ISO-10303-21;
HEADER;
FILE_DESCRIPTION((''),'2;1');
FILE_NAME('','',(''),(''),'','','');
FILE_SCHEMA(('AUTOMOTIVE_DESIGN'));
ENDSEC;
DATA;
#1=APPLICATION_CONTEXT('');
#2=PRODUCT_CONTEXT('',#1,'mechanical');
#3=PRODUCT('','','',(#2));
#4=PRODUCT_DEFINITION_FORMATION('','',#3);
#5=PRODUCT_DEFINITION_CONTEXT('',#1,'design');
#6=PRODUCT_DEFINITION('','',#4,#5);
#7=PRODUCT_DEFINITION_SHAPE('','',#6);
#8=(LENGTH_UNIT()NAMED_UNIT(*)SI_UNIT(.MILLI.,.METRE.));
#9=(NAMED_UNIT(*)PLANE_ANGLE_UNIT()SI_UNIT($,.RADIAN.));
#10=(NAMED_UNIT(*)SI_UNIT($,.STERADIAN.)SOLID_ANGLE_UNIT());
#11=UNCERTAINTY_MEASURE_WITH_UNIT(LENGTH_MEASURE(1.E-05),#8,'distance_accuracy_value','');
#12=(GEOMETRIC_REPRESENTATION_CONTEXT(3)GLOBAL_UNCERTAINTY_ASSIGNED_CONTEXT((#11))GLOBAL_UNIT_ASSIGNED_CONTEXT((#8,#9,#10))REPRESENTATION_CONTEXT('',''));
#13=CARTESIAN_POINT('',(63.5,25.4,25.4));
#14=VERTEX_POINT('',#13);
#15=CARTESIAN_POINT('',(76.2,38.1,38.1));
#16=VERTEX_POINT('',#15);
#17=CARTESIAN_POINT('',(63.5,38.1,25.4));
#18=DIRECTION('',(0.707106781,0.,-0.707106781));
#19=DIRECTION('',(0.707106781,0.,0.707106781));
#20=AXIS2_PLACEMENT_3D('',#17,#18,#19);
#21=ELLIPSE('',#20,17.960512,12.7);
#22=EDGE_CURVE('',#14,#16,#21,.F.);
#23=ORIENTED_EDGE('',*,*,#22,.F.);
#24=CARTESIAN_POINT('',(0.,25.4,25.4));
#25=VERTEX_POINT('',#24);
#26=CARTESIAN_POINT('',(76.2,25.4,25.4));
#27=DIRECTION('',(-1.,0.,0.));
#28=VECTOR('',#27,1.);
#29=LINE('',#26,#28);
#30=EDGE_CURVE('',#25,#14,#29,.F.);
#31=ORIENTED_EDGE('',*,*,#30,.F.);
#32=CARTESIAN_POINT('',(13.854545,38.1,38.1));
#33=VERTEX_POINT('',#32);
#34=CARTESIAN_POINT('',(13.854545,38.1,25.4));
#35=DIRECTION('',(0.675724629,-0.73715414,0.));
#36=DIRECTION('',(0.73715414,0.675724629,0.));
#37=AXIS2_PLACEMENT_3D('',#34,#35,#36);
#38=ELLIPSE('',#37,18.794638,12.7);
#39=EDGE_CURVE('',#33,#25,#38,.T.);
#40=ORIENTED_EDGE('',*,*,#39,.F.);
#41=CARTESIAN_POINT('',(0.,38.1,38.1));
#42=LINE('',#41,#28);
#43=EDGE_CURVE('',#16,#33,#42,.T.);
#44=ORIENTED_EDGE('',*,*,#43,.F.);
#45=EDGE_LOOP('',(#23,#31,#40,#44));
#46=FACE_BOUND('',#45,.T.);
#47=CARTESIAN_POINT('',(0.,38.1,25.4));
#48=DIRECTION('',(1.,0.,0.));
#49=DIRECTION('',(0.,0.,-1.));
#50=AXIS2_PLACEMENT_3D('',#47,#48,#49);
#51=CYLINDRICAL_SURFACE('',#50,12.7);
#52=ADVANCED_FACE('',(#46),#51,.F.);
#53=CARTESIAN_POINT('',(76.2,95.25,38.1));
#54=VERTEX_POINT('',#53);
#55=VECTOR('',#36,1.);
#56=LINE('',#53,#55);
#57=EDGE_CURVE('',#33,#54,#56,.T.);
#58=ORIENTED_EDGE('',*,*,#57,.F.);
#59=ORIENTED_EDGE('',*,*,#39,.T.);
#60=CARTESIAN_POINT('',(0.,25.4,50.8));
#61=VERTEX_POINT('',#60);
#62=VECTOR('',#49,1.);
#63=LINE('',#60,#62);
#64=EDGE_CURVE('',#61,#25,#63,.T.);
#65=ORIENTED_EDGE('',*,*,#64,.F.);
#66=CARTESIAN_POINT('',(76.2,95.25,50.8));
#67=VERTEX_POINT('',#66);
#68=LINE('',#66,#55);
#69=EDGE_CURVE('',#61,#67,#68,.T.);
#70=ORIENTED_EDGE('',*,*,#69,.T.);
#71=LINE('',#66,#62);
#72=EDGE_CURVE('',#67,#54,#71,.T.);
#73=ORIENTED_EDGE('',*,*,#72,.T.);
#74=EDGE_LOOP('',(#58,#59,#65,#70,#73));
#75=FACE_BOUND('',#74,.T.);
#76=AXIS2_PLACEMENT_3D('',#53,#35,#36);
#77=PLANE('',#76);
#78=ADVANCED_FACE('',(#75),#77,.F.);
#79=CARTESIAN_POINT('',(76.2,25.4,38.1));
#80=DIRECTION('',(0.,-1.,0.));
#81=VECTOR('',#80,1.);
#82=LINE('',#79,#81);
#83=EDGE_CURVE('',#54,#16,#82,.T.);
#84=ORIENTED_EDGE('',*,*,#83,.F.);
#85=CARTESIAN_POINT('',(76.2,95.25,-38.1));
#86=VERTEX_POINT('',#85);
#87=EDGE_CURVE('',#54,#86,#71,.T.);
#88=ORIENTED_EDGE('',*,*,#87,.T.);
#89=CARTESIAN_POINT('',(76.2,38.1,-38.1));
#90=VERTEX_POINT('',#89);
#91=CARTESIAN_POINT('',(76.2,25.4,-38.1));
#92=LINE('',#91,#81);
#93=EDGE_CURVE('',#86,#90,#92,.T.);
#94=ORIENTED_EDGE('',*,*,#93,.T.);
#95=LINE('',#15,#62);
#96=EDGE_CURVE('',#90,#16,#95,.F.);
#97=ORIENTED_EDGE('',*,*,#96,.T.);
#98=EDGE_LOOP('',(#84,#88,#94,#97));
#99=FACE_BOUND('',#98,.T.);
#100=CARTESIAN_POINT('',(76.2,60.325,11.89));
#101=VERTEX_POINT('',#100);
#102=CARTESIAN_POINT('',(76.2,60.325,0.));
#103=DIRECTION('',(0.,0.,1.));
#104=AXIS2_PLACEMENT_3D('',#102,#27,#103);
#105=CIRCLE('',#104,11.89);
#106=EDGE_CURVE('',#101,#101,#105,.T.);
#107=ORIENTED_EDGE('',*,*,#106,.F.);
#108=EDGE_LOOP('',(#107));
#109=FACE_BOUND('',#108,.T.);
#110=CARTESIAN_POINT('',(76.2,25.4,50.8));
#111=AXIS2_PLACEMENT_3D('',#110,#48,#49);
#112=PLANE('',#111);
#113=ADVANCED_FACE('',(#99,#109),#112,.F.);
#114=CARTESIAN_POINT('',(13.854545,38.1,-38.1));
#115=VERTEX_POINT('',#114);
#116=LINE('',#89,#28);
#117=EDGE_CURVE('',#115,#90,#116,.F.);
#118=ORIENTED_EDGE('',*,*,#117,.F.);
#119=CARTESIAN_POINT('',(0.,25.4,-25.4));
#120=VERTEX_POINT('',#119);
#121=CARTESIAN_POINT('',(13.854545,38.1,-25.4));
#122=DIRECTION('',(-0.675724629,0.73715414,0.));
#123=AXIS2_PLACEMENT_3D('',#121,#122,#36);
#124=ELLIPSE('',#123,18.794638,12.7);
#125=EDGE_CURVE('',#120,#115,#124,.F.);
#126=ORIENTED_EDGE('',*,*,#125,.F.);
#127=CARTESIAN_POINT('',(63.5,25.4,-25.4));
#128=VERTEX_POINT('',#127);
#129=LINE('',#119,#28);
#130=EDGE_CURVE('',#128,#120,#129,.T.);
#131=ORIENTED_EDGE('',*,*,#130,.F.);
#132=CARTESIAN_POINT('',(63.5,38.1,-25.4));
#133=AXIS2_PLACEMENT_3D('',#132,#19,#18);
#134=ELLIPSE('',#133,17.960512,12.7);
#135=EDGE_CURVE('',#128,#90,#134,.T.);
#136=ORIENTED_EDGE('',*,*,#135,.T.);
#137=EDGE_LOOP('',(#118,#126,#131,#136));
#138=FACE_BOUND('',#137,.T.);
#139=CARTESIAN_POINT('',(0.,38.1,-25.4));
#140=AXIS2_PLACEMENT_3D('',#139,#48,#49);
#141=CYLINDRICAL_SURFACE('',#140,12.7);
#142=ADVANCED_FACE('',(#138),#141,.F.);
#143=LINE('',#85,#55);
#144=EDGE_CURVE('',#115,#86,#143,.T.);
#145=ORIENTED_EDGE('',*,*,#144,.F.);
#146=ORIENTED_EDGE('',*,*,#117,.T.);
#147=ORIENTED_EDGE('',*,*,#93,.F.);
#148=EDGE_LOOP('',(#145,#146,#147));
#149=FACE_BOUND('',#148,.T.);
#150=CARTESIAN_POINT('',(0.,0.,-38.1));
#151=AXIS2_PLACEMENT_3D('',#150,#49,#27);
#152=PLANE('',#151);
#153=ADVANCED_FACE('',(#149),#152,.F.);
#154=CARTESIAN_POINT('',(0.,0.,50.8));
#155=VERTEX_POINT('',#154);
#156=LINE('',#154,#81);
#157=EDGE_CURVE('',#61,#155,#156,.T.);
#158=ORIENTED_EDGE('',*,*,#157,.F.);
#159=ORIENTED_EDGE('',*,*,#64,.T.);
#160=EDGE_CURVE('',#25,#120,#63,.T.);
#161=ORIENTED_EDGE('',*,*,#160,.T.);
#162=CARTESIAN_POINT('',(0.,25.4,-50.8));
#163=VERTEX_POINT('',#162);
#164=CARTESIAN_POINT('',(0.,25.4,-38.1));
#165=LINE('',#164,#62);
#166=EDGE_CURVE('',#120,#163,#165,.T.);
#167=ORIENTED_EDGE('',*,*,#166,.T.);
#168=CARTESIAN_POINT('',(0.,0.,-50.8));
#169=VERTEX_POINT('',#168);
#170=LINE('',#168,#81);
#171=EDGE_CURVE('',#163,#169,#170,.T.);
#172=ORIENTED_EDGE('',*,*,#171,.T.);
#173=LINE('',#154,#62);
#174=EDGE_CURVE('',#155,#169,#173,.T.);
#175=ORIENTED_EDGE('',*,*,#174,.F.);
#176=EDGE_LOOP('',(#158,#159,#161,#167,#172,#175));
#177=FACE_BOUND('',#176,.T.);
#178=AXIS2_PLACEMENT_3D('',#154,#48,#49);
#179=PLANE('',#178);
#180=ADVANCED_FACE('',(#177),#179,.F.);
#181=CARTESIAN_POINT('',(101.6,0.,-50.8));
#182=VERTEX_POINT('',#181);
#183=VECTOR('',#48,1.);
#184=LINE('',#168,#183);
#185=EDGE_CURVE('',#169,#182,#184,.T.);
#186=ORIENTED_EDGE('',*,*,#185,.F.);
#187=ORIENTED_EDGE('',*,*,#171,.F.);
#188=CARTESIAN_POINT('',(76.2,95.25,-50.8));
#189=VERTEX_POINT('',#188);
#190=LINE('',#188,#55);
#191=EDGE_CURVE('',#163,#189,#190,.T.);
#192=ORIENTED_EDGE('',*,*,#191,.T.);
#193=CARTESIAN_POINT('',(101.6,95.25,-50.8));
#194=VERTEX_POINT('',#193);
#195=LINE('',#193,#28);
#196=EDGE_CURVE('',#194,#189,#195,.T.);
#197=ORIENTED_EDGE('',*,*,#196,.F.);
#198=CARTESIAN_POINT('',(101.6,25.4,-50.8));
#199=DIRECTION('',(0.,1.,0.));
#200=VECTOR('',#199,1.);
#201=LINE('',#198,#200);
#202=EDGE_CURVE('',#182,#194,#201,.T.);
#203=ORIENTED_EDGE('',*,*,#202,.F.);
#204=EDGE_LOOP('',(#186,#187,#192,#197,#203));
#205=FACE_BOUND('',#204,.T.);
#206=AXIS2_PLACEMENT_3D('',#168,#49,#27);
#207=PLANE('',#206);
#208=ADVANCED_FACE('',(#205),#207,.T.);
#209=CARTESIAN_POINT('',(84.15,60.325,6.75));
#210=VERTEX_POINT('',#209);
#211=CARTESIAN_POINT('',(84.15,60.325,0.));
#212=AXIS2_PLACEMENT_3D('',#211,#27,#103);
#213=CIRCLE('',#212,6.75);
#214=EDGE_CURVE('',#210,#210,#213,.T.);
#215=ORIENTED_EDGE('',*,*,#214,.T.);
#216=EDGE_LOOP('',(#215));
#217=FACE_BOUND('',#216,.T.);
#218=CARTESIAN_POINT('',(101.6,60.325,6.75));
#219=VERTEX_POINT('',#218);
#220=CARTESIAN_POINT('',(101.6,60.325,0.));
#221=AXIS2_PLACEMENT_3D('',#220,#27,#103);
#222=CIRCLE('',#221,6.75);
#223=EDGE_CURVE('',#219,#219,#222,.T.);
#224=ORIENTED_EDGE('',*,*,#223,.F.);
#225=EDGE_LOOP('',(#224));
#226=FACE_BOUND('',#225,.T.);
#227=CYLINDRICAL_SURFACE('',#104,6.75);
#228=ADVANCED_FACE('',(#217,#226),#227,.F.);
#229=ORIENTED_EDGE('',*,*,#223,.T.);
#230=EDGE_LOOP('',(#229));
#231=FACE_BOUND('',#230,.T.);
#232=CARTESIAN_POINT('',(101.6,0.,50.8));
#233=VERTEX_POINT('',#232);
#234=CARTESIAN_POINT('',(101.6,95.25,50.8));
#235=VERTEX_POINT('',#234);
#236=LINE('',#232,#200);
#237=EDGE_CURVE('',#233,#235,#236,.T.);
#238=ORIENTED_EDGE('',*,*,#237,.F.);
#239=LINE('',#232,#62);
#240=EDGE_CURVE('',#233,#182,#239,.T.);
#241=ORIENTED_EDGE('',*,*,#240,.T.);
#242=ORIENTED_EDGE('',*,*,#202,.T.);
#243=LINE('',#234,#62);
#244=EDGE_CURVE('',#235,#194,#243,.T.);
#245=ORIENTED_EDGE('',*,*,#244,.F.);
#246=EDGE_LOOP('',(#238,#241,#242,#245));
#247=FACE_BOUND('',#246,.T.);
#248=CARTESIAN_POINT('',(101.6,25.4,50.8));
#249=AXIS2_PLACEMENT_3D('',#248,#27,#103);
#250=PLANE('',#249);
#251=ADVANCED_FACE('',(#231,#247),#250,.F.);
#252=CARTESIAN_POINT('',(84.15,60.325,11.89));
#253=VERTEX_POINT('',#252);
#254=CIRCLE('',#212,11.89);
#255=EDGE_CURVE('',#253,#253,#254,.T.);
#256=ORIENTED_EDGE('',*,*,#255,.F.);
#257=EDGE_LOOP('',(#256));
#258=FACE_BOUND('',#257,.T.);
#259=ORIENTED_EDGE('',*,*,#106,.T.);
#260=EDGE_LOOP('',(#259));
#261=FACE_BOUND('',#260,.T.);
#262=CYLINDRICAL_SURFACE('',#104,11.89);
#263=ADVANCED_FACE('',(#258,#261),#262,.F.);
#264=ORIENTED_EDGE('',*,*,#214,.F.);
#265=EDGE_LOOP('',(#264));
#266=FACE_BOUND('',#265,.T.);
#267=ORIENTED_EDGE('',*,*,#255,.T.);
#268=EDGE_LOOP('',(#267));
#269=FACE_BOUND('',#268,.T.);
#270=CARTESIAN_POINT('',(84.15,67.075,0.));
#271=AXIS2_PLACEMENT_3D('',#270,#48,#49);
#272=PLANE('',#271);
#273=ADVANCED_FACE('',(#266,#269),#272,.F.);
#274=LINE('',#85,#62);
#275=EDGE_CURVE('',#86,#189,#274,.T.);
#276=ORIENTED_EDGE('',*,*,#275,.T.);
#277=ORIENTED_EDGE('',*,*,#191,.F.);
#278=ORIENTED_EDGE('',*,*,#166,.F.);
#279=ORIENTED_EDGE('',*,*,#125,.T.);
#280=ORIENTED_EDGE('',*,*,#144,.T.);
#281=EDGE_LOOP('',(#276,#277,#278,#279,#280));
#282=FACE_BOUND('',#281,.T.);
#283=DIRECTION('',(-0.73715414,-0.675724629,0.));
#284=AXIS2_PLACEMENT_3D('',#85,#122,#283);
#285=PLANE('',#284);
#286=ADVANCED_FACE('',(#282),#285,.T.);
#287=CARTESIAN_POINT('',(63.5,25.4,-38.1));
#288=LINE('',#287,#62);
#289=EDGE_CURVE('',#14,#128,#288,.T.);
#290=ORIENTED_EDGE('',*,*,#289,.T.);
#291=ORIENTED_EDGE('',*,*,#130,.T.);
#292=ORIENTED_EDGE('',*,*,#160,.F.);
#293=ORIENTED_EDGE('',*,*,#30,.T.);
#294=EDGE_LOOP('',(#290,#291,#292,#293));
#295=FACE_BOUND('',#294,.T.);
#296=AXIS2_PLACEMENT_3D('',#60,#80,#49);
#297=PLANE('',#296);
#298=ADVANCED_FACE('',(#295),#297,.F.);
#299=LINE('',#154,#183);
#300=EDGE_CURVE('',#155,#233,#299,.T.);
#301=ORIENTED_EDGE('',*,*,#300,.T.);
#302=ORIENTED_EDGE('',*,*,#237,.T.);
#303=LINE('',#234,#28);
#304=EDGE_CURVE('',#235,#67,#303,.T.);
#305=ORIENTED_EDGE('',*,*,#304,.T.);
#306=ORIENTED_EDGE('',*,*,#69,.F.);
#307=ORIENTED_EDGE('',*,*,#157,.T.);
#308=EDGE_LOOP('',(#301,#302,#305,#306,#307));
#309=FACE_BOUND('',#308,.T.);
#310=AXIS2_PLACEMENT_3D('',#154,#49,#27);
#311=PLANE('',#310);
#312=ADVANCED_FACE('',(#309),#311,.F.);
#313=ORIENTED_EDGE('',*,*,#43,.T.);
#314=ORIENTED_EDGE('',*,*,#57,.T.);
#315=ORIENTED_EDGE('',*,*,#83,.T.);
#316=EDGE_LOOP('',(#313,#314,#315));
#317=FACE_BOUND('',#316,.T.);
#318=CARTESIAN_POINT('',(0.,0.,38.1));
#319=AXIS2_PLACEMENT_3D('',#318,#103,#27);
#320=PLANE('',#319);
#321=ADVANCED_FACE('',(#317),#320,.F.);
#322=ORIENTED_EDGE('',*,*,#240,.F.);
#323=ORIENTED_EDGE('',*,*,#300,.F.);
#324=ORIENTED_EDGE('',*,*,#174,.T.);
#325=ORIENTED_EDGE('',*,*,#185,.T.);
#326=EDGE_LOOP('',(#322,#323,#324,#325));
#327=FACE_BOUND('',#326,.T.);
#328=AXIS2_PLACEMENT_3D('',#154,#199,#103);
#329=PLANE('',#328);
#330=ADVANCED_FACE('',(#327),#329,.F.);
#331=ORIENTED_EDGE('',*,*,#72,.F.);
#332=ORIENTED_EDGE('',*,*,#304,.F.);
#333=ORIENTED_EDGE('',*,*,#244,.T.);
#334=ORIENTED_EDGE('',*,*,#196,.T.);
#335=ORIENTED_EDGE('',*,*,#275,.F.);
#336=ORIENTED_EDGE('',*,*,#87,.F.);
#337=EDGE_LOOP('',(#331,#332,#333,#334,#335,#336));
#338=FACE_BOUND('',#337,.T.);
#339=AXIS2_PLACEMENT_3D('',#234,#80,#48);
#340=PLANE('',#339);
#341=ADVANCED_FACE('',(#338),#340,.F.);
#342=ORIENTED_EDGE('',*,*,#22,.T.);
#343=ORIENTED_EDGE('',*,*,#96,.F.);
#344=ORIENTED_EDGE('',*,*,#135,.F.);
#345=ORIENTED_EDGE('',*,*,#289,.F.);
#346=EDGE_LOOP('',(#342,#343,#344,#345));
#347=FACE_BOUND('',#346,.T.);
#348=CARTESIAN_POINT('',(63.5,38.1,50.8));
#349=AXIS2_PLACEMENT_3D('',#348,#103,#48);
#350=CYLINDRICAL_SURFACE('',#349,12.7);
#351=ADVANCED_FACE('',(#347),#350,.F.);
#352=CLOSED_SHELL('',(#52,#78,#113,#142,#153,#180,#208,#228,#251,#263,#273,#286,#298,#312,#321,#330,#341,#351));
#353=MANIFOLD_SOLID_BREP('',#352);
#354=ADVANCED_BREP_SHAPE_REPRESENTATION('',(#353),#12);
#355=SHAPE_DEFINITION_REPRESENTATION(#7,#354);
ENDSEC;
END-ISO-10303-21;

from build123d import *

# Parameters (mm, degrees)
BOSS_EXTRUDE1_DEPTH                      = 50.8
CBORE_FOR_M12_HEX_HEAD_BOLT1_D           = 13.5
CBORE_FOR_M12_HEX_HEAD_BOLT1_CBORE_D     = 23.78
CBORE_FOR_M12_HEX_HEAD_BOLT1_CBORE_DEPTH = 7.95
BOSS_EXTRUDE2_DEPTH                      = 12.7
FILLET1_R                                = 12.7


with BuildPart() as part:
    # Sketch1 → Boss-Extrude1 (new, symmetric)
    with BuildSketch(Plane.XY):
        Polygon((0, 0), (101.6, 0), (101.6, 25.4), (101.6, 95.25), (76.2, 95.25), (76.2, 25.4), (0, 25.4), align=None)
    extrude(amount=BOSS_EXTRUDE1_DEPTH, both=True)

    # CBORE for M12 Hex Head Bolt1 (through all)
    with Locations(Plane.ZY.offset(-76.2)):
        with Locations((0, 60.325)):
            CounterBoreHole(CBORE_FOR_M12_HEX_HEAD_BOLT1_D / 2, CBORE_FOR_M12_HEX_HEAD_BOLT1_CBORE_D / 2, CBORE_FOR_M12_HEX_HEAD_BOLT1_CBORE_DEPTH)

    # Sketch5 → Boss-Extrude2 (add)
    with BuildSketch(Plane(origin=(0, 0, -50.8), x_dir=(-1, 0, 0), z_dir=(0, 0, -1))):
        Polygon((-76.2, 95.25), (0, 25.4), (-76.2, 25.4), align=None)
    boss_extrude2 = extrude(amount=-BOSS_EXTRUDE2_DEPTH)

    # Mirror1: Boss-Extrude2 across plane
    add(boss_extrude2.mirror(Plane.XY))

    # Fillet1
    fillet1_edges = [part.edges().sort_by_distance(p)[0] for p in [
        (38.1, 25.4, -38.1),
        (76.2, 25.4, 0),
        (38.1, 25.4, 38.1),
    ]]
    fillet(fillet1_edges, radius=FILLET1_R)


solid = part.part
